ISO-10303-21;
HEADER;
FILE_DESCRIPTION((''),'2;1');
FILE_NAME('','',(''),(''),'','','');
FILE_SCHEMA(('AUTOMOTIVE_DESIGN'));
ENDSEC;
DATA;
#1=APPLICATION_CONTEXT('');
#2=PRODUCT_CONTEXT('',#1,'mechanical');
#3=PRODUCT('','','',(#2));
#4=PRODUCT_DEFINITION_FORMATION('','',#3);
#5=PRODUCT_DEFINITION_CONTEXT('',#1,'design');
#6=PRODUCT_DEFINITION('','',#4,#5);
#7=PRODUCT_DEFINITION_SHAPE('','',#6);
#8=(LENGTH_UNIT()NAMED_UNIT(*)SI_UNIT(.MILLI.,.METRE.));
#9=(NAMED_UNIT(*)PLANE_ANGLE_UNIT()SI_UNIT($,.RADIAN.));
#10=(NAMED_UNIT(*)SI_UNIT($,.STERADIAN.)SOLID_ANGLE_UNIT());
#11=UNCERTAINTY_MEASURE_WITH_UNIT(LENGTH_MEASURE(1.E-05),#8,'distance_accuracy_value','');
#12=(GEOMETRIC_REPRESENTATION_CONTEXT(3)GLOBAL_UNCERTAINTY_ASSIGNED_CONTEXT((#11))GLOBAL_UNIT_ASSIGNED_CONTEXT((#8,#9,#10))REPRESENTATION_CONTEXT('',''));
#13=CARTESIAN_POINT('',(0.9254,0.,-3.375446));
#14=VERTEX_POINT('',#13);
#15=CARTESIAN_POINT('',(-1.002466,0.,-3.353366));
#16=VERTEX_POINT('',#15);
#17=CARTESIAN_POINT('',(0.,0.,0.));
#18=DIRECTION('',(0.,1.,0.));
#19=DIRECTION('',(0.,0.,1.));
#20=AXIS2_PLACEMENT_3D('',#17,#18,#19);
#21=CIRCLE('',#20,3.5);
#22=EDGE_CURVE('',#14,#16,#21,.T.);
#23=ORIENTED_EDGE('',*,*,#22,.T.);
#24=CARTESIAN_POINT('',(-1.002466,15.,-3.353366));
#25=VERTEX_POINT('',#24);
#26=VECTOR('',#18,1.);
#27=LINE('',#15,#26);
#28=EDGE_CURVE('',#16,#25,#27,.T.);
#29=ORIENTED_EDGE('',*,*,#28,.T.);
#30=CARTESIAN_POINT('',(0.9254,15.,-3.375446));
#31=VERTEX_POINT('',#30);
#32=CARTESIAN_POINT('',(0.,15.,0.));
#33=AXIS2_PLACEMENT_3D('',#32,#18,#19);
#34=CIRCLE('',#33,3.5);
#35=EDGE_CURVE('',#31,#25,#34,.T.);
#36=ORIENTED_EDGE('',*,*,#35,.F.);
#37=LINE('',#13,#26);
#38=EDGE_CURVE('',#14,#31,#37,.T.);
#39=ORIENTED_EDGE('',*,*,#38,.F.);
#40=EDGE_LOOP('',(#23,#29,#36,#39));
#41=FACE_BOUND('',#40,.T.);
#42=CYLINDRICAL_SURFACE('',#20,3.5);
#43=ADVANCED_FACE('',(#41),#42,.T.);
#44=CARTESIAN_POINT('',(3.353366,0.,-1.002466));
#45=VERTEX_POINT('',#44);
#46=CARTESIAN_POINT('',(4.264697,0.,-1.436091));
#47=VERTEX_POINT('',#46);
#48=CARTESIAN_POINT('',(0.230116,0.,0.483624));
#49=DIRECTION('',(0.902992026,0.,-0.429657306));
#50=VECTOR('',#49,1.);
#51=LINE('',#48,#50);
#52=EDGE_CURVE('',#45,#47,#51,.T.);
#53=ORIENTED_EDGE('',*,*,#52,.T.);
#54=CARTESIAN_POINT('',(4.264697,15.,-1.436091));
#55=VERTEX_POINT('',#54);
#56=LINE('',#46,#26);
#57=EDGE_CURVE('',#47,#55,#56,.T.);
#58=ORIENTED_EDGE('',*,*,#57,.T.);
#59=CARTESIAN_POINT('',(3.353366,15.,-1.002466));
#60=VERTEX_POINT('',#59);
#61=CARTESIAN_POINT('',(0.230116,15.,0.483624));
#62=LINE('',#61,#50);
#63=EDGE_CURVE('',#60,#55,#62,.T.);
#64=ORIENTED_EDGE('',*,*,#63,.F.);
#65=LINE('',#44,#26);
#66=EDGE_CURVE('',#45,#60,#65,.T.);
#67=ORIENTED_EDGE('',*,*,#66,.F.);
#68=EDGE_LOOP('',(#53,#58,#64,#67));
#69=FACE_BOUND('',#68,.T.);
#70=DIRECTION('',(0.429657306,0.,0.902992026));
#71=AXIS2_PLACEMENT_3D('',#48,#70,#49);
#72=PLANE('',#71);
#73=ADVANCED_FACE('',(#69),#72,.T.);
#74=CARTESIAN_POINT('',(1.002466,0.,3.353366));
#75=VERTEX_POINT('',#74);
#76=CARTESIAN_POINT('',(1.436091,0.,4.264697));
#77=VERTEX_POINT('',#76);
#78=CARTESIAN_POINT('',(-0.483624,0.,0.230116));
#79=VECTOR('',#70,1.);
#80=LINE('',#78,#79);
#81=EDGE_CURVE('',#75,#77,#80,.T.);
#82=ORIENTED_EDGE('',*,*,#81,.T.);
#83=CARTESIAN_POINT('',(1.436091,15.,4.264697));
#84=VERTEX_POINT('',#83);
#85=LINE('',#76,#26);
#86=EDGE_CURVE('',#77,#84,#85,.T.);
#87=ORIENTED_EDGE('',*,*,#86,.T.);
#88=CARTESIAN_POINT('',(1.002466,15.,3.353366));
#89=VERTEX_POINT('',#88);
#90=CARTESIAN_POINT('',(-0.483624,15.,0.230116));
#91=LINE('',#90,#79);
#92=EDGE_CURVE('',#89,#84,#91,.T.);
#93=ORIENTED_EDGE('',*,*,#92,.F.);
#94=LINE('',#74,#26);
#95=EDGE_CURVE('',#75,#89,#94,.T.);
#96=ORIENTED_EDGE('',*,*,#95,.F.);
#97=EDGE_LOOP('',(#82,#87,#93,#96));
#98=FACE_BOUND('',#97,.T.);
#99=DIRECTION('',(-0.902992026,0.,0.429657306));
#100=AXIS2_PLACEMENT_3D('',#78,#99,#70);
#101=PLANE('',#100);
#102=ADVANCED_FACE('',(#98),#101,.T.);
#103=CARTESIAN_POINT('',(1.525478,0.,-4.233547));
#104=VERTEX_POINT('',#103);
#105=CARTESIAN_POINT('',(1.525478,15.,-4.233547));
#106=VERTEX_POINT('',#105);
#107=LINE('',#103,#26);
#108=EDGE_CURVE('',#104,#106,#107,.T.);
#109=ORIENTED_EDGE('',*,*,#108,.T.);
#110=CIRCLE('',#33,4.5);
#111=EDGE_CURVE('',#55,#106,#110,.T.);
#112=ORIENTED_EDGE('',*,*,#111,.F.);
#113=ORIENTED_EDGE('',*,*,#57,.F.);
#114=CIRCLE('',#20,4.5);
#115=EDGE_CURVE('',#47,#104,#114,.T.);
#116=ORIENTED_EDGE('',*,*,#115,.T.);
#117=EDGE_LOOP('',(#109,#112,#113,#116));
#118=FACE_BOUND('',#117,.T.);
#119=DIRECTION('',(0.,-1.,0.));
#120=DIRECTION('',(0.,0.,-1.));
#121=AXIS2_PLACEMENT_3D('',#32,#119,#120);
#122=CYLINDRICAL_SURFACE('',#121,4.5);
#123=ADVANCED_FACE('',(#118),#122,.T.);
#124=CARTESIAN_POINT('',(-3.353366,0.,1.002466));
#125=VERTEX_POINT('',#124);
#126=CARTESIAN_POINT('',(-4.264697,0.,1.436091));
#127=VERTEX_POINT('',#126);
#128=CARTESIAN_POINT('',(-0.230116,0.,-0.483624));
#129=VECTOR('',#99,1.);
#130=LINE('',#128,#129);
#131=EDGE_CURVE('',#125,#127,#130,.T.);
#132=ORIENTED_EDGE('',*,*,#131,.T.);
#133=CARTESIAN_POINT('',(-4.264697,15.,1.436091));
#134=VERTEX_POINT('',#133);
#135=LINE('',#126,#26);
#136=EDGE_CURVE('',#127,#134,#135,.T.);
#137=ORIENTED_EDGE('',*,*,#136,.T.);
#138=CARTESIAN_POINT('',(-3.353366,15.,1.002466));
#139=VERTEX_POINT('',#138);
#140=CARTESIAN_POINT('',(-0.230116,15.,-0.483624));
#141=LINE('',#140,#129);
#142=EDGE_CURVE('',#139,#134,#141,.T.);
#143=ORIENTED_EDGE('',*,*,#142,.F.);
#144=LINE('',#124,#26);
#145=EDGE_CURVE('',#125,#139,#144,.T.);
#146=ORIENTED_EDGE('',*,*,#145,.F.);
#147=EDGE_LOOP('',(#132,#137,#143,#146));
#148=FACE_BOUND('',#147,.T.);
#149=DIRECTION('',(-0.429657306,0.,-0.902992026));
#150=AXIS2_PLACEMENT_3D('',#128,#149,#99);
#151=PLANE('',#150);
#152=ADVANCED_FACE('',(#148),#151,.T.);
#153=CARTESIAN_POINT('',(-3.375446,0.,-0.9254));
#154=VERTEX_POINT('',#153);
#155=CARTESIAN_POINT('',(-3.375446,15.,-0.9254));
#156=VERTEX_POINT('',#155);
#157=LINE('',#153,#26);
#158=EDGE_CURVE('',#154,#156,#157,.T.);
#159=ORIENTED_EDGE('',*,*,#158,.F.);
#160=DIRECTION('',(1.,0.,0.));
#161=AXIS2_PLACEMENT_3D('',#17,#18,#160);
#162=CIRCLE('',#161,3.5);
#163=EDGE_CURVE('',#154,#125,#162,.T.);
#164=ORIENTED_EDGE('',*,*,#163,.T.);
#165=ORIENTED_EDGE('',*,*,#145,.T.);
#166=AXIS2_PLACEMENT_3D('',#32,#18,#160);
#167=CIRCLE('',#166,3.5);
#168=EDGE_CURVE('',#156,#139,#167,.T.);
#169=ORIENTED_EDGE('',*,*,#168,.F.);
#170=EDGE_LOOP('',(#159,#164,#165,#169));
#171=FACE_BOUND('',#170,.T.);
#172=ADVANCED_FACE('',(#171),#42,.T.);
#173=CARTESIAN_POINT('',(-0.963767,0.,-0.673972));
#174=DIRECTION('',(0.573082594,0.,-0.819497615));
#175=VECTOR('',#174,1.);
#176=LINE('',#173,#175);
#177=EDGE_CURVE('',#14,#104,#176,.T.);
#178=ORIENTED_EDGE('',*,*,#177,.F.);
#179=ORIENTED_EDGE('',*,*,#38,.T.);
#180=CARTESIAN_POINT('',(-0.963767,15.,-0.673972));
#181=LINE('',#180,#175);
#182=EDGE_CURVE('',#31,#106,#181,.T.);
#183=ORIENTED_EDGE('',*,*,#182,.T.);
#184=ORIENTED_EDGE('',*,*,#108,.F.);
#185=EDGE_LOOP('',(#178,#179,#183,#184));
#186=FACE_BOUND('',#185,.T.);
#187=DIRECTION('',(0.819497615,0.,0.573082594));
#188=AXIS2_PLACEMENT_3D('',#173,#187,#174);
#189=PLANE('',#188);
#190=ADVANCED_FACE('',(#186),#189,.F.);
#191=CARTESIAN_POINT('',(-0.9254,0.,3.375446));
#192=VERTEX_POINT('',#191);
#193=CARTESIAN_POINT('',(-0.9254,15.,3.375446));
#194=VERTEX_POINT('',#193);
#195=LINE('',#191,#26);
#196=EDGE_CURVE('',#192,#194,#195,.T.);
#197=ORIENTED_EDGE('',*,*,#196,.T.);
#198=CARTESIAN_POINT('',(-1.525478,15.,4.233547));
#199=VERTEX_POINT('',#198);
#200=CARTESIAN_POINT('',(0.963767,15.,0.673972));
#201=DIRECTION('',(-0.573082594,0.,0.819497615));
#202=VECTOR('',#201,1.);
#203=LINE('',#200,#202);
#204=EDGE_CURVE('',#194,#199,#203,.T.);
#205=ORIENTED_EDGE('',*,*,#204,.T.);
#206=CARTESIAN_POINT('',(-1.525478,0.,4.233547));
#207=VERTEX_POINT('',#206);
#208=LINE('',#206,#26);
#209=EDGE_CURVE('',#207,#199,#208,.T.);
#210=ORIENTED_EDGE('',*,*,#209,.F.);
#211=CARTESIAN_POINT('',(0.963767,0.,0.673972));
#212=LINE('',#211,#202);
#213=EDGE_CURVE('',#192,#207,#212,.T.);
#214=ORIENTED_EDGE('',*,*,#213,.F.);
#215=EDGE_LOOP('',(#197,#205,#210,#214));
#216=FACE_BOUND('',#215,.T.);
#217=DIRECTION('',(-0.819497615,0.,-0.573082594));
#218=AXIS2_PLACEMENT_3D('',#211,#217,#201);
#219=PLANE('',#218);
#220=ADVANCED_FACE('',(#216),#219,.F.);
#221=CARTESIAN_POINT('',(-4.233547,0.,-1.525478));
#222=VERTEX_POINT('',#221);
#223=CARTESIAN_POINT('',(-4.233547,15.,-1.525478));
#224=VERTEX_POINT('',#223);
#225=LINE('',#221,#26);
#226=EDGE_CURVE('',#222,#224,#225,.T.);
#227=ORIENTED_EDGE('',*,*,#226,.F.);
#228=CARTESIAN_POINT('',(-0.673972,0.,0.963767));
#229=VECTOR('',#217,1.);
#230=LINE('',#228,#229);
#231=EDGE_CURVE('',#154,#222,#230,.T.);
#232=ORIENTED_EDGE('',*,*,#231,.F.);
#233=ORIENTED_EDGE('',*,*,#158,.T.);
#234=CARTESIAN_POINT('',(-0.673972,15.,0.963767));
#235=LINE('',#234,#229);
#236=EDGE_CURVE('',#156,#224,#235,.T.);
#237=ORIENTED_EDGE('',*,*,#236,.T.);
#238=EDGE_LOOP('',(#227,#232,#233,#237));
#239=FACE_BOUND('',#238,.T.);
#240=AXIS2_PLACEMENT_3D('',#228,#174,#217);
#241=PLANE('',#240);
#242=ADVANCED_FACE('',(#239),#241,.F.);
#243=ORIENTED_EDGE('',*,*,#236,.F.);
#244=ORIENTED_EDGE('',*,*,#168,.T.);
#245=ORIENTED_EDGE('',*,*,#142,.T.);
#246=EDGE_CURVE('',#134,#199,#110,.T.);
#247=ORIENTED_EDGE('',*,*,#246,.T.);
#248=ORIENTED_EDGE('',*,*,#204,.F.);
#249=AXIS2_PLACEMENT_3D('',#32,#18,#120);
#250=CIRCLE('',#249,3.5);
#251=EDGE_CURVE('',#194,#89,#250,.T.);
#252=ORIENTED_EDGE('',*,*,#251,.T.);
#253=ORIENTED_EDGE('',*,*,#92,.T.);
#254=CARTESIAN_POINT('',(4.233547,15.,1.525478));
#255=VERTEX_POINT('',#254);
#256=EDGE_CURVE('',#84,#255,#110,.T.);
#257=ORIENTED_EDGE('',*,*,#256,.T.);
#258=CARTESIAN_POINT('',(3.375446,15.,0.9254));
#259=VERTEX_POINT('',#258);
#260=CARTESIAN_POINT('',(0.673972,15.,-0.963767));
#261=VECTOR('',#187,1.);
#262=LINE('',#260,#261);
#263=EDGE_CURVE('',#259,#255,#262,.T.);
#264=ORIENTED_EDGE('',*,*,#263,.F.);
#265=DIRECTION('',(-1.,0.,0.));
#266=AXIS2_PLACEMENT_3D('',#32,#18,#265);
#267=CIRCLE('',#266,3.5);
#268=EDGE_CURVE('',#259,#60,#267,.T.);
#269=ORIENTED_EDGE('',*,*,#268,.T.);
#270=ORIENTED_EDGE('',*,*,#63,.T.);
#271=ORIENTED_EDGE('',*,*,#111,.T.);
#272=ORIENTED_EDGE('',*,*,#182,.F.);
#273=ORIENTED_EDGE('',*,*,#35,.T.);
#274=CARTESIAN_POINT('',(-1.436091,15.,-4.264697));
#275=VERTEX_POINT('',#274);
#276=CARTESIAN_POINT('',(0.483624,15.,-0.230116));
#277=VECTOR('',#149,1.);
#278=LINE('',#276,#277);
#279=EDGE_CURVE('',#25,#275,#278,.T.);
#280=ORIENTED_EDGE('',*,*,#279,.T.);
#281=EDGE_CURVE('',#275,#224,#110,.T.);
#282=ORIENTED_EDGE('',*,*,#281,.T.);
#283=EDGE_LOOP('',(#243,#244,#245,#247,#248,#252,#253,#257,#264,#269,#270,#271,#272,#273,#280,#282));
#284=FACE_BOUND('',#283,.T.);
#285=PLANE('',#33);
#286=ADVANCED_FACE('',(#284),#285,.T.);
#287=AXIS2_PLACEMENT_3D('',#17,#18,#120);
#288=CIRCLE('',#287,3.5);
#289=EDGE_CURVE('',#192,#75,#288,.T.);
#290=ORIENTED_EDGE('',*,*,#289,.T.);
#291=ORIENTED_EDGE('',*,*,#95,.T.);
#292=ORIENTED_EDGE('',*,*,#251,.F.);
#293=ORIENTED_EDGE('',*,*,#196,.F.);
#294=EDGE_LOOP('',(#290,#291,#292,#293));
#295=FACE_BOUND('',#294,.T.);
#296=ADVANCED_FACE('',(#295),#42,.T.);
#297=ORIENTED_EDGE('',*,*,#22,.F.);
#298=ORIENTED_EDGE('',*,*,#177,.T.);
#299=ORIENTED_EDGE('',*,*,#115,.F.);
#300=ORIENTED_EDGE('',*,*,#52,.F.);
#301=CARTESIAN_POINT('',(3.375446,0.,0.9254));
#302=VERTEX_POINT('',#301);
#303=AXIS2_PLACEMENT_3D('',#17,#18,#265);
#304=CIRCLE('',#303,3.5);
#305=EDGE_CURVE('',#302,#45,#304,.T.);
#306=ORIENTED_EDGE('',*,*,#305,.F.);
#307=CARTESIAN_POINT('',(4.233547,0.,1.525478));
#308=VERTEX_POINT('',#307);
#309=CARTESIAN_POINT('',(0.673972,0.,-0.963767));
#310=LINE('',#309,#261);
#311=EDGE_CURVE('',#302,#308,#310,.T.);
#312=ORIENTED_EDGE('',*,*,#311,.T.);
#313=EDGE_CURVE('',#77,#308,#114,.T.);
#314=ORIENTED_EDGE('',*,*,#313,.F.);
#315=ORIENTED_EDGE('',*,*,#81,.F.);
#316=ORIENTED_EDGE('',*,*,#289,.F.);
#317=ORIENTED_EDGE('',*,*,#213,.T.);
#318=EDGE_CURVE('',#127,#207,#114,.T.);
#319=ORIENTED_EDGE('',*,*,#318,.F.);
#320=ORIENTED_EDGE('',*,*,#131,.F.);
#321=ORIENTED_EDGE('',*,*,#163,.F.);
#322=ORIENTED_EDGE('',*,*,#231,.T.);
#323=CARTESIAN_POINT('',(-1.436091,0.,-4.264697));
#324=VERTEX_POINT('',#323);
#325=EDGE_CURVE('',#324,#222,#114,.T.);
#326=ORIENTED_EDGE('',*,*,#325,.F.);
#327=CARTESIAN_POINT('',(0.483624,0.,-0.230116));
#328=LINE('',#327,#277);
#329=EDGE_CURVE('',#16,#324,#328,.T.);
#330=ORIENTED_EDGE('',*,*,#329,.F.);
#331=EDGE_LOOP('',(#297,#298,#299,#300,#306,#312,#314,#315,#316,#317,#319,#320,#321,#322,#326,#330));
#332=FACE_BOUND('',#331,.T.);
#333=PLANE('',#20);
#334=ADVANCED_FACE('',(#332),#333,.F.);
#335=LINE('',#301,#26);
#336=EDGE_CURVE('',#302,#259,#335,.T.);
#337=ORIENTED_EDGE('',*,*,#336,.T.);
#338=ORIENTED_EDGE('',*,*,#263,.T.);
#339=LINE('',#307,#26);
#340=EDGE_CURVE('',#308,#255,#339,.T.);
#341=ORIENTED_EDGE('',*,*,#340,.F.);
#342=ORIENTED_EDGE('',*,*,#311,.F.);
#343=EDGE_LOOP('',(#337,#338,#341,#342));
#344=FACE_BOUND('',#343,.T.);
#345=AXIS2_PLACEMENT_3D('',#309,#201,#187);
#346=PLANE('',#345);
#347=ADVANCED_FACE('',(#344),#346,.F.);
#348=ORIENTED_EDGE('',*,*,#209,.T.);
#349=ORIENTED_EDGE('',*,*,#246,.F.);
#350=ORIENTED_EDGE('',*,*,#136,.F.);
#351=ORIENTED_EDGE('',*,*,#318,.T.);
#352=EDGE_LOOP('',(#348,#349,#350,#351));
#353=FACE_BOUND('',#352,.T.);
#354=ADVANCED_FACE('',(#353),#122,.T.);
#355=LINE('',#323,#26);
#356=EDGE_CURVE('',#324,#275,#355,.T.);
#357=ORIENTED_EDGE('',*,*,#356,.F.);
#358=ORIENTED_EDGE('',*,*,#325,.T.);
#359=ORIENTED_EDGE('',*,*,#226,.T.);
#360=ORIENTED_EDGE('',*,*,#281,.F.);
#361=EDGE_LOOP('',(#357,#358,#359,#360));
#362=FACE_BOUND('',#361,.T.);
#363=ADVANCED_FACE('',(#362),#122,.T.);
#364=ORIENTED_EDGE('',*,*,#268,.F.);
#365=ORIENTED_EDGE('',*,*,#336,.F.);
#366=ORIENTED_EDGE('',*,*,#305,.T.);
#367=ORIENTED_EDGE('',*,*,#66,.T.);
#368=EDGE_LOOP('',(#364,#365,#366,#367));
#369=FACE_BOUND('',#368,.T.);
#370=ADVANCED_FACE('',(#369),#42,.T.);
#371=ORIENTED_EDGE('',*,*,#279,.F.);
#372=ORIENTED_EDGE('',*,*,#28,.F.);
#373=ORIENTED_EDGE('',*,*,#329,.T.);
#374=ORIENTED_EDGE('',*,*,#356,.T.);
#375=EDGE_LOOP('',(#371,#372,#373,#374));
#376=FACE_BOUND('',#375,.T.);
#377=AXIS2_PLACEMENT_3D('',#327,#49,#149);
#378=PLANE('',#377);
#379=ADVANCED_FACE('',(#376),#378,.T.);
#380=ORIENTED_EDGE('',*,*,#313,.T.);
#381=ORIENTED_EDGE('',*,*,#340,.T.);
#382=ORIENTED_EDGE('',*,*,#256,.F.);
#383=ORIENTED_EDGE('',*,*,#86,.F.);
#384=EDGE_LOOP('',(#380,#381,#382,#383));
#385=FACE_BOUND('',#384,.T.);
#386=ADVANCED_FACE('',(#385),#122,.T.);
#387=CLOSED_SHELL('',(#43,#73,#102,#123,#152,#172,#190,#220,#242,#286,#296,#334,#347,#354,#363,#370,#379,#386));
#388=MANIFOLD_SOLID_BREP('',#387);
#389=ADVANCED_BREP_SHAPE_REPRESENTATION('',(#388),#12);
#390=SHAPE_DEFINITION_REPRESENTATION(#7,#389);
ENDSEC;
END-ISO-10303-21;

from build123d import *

# Parameters (mm, degrees)
SKETCH1_R           = 4.5
BOSS_EXTRUDE1_DEPTH = 15
CUT_EXTRUDE1_DEPTH  = 15
CIRPATTERN1_COUNT   = 4


with BuildPart() as part:
    # Sketch1 → Boss-Extrude1 (new body)
    with BuildSketch(Plane(origin=(0, 0, 0), x_dir=(1, 0, 0), z_dir=(0, 1, 0))):
        Circle(SKETCH1_R)
    extrude(amount=BOSS_EXTRUDE1_DEPTH)

    # Sketch2 → Cut-Extrude1 (cut)
    with BuildSketch(Plane(origin=(0, 15, 0), x_dir=(1, 0, 0), z_dir=(0, 1, 0))):
        with BuildLine():
            Line((-1.436091353, 4.264697132), (-1.002466053, 3.353365744))
            ThreePointArc((-1.002466053, 3.353365744), (-0.040083536, 3.499770465), (0.925399693, 3.375445957))
            Line((0.925399693, 3.375445957), (1.52547781, 4.233546675))
            ThreePointArc((1.52547781, 4.233546675), (0.047329403, 4.499751096), (-1.436091353, 4.264697132))
        make_face()
    cut_extrude1 = extrude(amount=-CUT_EXTRUDE1_DEPTH, mode=Mode.SUBTRACT)

    # CirPattern1: Cut-Extrude1 ×4 about axis
    cirpattern1_axis = Axis((0, 0, 0), (0, 1, 0))
    for i in range(1, CIRPATTERN1_COUNT):
        add(cut_extrude1.rotate(cirpattern1_axis, i * 360 / CIRPATTERN1_COUNT), mode=Mode.SUBTRACT)


solid = part.part
